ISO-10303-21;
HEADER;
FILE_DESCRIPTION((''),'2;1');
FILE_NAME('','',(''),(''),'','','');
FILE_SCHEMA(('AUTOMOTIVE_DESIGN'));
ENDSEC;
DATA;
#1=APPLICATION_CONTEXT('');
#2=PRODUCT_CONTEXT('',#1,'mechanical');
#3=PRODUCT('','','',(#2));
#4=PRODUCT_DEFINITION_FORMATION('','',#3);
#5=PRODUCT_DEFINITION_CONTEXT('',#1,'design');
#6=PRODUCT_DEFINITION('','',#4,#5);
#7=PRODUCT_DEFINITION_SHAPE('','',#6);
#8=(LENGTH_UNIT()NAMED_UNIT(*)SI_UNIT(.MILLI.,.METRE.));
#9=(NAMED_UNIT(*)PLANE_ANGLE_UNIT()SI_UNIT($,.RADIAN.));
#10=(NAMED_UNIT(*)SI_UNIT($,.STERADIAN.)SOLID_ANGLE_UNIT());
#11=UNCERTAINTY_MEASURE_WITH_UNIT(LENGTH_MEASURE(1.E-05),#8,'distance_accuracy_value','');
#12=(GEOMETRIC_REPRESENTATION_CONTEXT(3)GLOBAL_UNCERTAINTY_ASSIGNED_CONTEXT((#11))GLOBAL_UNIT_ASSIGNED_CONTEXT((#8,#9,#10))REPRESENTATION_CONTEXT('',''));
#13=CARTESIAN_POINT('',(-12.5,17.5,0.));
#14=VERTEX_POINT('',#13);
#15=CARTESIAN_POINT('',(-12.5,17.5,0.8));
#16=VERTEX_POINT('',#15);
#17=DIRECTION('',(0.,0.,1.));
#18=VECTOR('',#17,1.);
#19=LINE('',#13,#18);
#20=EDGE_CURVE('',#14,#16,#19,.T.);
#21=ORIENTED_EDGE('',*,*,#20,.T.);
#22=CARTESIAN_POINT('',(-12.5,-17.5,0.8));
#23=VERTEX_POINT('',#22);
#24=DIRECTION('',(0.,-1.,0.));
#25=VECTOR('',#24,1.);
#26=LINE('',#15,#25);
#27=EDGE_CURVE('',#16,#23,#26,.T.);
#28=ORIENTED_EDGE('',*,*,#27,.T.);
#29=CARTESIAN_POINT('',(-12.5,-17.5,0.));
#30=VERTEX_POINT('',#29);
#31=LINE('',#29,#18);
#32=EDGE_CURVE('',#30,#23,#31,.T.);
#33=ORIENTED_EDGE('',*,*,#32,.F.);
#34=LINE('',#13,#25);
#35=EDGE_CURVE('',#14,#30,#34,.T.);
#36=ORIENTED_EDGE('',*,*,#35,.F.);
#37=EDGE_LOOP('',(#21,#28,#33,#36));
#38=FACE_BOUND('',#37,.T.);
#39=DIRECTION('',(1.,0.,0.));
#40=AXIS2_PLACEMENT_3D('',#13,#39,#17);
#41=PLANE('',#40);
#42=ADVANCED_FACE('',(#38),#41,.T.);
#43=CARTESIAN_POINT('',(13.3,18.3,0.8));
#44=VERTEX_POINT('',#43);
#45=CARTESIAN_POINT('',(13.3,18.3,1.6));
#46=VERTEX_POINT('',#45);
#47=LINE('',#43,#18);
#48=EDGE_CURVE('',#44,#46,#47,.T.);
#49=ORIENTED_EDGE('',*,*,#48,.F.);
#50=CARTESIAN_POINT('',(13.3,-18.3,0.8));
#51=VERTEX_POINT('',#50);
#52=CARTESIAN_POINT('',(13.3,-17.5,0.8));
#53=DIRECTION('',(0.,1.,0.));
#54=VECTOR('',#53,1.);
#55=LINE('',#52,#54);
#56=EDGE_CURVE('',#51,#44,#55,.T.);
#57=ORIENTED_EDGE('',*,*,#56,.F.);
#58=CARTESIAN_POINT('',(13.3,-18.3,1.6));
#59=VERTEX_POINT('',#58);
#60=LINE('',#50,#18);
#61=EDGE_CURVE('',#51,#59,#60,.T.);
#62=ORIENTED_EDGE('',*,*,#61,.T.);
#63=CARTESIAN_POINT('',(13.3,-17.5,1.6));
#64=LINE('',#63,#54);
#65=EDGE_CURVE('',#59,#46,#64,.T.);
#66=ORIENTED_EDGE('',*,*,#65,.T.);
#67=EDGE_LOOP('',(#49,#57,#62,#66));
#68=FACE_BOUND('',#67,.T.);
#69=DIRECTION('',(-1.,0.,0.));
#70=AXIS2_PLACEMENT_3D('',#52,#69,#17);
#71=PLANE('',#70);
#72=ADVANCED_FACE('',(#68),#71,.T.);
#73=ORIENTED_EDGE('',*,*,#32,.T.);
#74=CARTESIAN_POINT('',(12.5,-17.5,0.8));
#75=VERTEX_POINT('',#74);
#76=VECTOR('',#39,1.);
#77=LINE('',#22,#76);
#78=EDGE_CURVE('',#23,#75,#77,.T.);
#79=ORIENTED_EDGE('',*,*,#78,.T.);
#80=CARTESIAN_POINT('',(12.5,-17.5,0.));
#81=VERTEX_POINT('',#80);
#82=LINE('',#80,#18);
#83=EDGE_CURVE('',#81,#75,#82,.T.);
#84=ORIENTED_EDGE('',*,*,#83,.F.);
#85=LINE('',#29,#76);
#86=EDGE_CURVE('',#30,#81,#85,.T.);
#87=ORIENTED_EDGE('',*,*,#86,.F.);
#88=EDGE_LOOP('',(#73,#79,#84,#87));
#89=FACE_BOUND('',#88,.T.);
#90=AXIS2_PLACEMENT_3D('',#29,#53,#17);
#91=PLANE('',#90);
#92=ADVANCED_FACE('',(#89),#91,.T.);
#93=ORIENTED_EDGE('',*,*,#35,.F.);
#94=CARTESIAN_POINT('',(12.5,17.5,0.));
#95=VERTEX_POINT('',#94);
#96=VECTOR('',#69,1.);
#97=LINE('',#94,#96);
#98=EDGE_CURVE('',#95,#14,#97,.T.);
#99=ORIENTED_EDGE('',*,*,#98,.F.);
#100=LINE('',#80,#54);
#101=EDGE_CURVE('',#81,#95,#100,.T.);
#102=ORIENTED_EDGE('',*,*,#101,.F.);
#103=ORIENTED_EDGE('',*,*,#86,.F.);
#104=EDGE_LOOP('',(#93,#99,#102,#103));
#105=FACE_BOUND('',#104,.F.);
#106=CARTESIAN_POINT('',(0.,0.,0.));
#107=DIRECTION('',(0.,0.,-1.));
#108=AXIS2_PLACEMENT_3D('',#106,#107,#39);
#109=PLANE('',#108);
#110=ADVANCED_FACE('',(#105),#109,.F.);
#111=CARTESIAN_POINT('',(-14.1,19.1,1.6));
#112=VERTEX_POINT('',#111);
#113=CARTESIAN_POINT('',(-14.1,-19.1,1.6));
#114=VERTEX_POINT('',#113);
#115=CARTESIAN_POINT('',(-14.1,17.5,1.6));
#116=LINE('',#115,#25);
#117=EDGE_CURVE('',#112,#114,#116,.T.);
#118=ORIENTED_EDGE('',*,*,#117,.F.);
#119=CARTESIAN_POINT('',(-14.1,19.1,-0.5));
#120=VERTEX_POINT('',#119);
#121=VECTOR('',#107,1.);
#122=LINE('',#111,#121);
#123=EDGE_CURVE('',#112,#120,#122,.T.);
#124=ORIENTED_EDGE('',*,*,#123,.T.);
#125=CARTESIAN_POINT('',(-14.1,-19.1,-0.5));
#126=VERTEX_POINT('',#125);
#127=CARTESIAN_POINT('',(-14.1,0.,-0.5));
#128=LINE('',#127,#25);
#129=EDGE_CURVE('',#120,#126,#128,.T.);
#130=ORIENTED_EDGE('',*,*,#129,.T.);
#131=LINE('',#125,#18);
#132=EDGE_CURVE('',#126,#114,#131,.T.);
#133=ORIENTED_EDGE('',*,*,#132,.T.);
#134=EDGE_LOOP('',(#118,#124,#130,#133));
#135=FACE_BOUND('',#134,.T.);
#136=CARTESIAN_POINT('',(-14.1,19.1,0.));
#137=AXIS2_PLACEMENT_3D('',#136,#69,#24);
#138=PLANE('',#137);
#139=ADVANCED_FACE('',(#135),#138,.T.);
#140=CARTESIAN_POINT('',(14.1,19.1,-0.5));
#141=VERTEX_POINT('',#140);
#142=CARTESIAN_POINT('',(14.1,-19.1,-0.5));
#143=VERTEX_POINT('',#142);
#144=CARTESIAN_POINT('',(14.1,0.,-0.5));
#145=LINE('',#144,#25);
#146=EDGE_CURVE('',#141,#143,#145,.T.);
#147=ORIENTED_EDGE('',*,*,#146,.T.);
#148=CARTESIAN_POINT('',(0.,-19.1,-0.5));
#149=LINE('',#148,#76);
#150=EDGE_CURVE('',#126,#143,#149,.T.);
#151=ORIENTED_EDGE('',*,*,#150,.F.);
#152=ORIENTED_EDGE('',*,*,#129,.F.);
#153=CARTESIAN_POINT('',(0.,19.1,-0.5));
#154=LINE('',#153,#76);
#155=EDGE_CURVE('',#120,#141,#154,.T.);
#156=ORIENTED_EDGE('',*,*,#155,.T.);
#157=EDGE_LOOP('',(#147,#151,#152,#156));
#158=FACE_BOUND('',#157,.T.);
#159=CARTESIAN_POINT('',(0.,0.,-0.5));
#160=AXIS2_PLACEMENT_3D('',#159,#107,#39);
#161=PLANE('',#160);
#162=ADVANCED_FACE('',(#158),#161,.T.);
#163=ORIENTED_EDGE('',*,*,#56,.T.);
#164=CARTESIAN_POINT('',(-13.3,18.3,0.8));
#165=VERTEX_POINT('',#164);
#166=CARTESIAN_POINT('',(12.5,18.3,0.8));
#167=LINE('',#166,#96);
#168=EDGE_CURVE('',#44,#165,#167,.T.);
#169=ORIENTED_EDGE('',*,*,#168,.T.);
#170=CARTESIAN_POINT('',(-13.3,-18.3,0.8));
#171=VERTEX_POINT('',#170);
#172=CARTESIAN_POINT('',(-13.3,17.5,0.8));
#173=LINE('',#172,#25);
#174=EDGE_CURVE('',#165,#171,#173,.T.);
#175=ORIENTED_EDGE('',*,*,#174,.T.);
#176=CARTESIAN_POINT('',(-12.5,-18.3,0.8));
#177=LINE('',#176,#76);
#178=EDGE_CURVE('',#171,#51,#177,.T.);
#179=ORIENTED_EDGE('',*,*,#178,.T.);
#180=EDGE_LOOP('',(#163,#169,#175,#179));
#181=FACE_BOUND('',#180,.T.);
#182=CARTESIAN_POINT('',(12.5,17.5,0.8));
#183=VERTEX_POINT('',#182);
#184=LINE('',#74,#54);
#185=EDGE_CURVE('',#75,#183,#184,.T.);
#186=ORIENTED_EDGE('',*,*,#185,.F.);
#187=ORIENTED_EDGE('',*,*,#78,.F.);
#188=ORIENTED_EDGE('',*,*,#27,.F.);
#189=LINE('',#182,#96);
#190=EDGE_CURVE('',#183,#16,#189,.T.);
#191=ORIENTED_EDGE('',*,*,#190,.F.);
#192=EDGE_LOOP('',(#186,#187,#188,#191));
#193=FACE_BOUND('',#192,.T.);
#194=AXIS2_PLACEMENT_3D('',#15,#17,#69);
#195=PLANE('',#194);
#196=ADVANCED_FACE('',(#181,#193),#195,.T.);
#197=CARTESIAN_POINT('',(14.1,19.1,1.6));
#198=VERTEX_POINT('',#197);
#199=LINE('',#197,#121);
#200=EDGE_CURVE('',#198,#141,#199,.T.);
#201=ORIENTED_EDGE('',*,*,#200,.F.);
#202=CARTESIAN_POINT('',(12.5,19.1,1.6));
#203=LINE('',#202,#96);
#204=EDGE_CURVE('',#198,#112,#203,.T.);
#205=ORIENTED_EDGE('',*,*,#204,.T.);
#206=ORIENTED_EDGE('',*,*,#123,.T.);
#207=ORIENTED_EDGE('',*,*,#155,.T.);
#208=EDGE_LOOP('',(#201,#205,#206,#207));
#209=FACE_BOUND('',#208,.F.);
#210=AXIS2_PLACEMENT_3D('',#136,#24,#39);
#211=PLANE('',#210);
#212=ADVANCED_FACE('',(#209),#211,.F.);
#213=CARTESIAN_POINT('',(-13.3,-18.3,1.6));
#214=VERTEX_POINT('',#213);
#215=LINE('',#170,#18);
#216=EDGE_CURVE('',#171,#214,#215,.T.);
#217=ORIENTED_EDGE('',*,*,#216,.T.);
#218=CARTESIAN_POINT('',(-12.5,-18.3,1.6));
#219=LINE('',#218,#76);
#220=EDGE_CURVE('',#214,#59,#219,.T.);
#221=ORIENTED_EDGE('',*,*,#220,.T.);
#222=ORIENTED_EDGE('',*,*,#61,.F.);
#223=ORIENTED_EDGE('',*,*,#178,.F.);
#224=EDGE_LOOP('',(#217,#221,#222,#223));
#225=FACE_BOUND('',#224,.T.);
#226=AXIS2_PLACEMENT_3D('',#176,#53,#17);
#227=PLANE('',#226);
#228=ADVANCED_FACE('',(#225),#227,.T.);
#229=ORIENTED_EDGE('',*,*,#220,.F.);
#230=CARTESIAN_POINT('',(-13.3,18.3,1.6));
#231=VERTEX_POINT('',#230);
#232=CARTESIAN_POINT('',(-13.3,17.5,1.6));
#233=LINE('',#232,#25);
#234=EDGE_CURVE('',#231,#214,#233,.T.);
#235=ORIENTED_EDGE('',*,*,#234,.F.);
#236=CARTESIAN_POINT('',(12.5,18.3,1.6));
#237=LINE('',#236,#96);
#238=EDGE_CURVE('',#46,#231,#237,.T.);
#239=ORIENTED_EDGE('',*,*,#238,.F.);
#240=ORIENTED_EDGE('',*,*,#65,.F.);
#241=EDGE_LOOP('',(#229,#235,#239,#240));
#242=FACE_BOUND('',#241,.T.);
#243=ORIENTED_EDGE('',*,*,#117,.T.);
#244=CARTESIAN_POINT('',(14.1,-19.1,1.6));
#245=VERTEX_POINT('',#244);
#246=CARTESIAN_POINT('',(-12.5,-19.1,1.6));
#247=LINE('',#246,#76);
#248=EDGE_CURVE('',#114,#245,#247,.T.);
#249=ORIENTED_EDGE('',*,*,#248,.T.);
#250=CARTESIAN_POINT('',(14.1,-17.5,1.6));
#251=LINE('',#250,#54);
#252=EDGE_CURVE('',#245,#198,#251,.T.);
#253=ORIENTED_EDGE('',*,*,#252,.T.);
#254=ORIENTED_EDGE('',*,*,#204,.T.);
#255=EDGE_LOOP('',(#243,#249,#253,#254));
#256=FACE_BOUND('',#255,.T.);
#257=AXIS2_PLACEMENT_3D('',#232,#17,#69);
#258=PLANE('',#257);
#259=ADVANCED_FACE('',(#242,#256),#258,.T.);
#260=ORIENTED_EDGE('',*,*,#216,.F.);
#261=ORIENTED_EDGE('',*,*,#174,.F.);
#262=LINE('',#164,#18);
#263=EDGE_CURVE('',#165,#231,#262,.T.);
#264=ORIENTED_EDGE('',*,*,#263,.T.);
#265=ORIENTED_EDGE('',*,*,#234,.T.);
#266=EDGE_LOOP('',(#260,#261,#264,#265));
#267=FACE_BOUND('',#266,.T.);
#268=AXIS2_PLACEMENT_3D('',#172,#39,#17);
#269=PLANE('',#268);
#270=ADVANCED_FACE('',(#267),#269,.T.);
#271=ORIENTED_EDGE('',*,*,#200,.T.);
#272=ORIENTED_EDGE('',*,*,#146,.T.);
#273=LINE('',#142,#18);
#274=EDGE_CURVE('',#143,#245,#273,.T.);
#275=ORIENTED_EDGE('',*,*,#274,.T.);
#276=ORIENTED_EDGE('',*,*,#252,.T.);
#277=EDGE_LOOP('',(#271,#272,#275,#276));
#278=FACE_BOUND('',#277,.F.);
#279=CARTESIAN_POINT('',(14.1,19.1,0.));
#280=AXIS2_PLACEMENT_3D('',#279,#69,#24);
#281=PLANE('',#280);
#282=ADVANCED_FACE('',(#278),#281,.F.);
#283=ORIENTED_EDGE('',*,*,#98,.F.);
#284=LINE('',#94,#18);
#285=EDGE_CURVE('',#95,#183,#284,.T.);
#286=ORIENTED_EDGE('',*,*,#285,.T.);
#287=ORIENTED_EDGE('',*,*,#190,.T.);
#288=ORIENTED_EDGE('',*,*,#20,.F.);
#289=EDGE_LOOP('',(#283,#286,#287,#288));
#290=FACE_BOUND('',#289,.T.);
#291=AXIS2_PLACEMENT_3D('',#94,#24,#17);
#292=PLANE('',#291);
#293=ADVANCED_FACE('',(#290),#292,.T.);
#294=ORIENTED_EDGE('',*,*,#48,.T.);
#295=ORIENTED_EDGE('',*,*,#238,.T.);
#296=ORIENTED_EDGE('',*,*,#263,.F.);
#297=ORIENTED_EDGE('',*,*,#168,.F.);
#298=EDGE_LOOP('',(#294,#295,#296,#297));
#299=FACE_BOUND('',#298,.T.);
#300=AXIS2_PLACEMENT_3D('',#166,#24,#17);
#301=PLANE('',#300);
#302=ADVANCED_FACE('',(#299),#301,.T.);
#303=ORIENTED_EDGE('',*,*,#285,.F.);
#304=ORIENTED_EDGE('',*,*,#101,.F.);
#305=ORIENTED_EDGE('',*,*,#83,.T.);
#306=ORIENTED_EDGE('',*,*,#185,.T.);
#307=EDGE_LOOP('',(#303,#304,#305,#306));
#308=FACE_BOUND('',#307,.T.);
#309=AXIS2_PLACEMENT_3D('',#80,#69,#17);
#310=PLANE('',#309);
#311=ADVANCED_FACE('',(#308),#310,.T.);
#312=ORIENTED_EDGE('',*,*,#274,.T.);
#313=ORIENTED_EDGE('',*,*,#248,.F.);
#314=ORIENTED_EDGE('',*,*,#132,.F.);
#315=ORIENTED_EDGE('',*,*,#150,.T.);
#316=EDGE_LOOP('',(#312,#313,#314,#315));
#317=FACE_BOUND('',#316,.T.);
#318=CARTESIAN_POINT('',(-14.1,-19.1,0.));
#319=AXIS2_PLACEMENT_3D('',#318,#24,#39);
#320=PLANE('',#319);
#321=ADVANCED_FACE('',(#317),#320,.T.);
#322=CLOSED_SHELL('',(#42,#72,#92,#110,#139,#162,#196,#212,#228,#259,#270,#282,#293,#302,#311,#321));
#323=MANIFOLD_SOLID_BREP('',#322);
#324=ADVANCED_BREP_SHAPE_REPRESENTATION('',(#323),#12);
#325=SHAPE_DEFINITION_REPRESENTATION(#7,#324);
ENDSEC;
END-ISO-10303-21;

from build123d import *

# Parameters (mm, degrees)
F3_W     = 28.2
F3_H     = 38.2
F4_DEPTH = 0.5


with BuildPart() as f2:
    # F2: sweep along a path in F0
    with BuildLine(Plane.XY) as f2_path:
        Line((-12.5, 17.5), (-12.5, -17.5))
        Line((-12.5, -17.5), (12.5, -17.5))
        Line((12.5, -17.5), (12.5, 17.5))
        Line((12.5, 17.5), (-12.5, 17.5))
    # F1 (on Front) → F2 (sweep)
    with BuildSketch(Plane.XZ):
        Polygon((-14.1, 0), (-12.5, 0), (-12.5, 0.8), (-13.3, 0.8), (-13.3, 1.6), (-14.1, 1.6), align=None)
    sweep(path=f2_path.line, transition=Transition.RIGHT)

    # F3 (on face) → F4 (join)
    with BuildSketch(Plane(origin=(0, 0, 0), x_dir=(1, 0, 0), z_dir=(0, 0, -1))):
        Rectangle(F3_W, F3_H)
    extrude(amount=F4_DEPTH)


solid = f2.part
